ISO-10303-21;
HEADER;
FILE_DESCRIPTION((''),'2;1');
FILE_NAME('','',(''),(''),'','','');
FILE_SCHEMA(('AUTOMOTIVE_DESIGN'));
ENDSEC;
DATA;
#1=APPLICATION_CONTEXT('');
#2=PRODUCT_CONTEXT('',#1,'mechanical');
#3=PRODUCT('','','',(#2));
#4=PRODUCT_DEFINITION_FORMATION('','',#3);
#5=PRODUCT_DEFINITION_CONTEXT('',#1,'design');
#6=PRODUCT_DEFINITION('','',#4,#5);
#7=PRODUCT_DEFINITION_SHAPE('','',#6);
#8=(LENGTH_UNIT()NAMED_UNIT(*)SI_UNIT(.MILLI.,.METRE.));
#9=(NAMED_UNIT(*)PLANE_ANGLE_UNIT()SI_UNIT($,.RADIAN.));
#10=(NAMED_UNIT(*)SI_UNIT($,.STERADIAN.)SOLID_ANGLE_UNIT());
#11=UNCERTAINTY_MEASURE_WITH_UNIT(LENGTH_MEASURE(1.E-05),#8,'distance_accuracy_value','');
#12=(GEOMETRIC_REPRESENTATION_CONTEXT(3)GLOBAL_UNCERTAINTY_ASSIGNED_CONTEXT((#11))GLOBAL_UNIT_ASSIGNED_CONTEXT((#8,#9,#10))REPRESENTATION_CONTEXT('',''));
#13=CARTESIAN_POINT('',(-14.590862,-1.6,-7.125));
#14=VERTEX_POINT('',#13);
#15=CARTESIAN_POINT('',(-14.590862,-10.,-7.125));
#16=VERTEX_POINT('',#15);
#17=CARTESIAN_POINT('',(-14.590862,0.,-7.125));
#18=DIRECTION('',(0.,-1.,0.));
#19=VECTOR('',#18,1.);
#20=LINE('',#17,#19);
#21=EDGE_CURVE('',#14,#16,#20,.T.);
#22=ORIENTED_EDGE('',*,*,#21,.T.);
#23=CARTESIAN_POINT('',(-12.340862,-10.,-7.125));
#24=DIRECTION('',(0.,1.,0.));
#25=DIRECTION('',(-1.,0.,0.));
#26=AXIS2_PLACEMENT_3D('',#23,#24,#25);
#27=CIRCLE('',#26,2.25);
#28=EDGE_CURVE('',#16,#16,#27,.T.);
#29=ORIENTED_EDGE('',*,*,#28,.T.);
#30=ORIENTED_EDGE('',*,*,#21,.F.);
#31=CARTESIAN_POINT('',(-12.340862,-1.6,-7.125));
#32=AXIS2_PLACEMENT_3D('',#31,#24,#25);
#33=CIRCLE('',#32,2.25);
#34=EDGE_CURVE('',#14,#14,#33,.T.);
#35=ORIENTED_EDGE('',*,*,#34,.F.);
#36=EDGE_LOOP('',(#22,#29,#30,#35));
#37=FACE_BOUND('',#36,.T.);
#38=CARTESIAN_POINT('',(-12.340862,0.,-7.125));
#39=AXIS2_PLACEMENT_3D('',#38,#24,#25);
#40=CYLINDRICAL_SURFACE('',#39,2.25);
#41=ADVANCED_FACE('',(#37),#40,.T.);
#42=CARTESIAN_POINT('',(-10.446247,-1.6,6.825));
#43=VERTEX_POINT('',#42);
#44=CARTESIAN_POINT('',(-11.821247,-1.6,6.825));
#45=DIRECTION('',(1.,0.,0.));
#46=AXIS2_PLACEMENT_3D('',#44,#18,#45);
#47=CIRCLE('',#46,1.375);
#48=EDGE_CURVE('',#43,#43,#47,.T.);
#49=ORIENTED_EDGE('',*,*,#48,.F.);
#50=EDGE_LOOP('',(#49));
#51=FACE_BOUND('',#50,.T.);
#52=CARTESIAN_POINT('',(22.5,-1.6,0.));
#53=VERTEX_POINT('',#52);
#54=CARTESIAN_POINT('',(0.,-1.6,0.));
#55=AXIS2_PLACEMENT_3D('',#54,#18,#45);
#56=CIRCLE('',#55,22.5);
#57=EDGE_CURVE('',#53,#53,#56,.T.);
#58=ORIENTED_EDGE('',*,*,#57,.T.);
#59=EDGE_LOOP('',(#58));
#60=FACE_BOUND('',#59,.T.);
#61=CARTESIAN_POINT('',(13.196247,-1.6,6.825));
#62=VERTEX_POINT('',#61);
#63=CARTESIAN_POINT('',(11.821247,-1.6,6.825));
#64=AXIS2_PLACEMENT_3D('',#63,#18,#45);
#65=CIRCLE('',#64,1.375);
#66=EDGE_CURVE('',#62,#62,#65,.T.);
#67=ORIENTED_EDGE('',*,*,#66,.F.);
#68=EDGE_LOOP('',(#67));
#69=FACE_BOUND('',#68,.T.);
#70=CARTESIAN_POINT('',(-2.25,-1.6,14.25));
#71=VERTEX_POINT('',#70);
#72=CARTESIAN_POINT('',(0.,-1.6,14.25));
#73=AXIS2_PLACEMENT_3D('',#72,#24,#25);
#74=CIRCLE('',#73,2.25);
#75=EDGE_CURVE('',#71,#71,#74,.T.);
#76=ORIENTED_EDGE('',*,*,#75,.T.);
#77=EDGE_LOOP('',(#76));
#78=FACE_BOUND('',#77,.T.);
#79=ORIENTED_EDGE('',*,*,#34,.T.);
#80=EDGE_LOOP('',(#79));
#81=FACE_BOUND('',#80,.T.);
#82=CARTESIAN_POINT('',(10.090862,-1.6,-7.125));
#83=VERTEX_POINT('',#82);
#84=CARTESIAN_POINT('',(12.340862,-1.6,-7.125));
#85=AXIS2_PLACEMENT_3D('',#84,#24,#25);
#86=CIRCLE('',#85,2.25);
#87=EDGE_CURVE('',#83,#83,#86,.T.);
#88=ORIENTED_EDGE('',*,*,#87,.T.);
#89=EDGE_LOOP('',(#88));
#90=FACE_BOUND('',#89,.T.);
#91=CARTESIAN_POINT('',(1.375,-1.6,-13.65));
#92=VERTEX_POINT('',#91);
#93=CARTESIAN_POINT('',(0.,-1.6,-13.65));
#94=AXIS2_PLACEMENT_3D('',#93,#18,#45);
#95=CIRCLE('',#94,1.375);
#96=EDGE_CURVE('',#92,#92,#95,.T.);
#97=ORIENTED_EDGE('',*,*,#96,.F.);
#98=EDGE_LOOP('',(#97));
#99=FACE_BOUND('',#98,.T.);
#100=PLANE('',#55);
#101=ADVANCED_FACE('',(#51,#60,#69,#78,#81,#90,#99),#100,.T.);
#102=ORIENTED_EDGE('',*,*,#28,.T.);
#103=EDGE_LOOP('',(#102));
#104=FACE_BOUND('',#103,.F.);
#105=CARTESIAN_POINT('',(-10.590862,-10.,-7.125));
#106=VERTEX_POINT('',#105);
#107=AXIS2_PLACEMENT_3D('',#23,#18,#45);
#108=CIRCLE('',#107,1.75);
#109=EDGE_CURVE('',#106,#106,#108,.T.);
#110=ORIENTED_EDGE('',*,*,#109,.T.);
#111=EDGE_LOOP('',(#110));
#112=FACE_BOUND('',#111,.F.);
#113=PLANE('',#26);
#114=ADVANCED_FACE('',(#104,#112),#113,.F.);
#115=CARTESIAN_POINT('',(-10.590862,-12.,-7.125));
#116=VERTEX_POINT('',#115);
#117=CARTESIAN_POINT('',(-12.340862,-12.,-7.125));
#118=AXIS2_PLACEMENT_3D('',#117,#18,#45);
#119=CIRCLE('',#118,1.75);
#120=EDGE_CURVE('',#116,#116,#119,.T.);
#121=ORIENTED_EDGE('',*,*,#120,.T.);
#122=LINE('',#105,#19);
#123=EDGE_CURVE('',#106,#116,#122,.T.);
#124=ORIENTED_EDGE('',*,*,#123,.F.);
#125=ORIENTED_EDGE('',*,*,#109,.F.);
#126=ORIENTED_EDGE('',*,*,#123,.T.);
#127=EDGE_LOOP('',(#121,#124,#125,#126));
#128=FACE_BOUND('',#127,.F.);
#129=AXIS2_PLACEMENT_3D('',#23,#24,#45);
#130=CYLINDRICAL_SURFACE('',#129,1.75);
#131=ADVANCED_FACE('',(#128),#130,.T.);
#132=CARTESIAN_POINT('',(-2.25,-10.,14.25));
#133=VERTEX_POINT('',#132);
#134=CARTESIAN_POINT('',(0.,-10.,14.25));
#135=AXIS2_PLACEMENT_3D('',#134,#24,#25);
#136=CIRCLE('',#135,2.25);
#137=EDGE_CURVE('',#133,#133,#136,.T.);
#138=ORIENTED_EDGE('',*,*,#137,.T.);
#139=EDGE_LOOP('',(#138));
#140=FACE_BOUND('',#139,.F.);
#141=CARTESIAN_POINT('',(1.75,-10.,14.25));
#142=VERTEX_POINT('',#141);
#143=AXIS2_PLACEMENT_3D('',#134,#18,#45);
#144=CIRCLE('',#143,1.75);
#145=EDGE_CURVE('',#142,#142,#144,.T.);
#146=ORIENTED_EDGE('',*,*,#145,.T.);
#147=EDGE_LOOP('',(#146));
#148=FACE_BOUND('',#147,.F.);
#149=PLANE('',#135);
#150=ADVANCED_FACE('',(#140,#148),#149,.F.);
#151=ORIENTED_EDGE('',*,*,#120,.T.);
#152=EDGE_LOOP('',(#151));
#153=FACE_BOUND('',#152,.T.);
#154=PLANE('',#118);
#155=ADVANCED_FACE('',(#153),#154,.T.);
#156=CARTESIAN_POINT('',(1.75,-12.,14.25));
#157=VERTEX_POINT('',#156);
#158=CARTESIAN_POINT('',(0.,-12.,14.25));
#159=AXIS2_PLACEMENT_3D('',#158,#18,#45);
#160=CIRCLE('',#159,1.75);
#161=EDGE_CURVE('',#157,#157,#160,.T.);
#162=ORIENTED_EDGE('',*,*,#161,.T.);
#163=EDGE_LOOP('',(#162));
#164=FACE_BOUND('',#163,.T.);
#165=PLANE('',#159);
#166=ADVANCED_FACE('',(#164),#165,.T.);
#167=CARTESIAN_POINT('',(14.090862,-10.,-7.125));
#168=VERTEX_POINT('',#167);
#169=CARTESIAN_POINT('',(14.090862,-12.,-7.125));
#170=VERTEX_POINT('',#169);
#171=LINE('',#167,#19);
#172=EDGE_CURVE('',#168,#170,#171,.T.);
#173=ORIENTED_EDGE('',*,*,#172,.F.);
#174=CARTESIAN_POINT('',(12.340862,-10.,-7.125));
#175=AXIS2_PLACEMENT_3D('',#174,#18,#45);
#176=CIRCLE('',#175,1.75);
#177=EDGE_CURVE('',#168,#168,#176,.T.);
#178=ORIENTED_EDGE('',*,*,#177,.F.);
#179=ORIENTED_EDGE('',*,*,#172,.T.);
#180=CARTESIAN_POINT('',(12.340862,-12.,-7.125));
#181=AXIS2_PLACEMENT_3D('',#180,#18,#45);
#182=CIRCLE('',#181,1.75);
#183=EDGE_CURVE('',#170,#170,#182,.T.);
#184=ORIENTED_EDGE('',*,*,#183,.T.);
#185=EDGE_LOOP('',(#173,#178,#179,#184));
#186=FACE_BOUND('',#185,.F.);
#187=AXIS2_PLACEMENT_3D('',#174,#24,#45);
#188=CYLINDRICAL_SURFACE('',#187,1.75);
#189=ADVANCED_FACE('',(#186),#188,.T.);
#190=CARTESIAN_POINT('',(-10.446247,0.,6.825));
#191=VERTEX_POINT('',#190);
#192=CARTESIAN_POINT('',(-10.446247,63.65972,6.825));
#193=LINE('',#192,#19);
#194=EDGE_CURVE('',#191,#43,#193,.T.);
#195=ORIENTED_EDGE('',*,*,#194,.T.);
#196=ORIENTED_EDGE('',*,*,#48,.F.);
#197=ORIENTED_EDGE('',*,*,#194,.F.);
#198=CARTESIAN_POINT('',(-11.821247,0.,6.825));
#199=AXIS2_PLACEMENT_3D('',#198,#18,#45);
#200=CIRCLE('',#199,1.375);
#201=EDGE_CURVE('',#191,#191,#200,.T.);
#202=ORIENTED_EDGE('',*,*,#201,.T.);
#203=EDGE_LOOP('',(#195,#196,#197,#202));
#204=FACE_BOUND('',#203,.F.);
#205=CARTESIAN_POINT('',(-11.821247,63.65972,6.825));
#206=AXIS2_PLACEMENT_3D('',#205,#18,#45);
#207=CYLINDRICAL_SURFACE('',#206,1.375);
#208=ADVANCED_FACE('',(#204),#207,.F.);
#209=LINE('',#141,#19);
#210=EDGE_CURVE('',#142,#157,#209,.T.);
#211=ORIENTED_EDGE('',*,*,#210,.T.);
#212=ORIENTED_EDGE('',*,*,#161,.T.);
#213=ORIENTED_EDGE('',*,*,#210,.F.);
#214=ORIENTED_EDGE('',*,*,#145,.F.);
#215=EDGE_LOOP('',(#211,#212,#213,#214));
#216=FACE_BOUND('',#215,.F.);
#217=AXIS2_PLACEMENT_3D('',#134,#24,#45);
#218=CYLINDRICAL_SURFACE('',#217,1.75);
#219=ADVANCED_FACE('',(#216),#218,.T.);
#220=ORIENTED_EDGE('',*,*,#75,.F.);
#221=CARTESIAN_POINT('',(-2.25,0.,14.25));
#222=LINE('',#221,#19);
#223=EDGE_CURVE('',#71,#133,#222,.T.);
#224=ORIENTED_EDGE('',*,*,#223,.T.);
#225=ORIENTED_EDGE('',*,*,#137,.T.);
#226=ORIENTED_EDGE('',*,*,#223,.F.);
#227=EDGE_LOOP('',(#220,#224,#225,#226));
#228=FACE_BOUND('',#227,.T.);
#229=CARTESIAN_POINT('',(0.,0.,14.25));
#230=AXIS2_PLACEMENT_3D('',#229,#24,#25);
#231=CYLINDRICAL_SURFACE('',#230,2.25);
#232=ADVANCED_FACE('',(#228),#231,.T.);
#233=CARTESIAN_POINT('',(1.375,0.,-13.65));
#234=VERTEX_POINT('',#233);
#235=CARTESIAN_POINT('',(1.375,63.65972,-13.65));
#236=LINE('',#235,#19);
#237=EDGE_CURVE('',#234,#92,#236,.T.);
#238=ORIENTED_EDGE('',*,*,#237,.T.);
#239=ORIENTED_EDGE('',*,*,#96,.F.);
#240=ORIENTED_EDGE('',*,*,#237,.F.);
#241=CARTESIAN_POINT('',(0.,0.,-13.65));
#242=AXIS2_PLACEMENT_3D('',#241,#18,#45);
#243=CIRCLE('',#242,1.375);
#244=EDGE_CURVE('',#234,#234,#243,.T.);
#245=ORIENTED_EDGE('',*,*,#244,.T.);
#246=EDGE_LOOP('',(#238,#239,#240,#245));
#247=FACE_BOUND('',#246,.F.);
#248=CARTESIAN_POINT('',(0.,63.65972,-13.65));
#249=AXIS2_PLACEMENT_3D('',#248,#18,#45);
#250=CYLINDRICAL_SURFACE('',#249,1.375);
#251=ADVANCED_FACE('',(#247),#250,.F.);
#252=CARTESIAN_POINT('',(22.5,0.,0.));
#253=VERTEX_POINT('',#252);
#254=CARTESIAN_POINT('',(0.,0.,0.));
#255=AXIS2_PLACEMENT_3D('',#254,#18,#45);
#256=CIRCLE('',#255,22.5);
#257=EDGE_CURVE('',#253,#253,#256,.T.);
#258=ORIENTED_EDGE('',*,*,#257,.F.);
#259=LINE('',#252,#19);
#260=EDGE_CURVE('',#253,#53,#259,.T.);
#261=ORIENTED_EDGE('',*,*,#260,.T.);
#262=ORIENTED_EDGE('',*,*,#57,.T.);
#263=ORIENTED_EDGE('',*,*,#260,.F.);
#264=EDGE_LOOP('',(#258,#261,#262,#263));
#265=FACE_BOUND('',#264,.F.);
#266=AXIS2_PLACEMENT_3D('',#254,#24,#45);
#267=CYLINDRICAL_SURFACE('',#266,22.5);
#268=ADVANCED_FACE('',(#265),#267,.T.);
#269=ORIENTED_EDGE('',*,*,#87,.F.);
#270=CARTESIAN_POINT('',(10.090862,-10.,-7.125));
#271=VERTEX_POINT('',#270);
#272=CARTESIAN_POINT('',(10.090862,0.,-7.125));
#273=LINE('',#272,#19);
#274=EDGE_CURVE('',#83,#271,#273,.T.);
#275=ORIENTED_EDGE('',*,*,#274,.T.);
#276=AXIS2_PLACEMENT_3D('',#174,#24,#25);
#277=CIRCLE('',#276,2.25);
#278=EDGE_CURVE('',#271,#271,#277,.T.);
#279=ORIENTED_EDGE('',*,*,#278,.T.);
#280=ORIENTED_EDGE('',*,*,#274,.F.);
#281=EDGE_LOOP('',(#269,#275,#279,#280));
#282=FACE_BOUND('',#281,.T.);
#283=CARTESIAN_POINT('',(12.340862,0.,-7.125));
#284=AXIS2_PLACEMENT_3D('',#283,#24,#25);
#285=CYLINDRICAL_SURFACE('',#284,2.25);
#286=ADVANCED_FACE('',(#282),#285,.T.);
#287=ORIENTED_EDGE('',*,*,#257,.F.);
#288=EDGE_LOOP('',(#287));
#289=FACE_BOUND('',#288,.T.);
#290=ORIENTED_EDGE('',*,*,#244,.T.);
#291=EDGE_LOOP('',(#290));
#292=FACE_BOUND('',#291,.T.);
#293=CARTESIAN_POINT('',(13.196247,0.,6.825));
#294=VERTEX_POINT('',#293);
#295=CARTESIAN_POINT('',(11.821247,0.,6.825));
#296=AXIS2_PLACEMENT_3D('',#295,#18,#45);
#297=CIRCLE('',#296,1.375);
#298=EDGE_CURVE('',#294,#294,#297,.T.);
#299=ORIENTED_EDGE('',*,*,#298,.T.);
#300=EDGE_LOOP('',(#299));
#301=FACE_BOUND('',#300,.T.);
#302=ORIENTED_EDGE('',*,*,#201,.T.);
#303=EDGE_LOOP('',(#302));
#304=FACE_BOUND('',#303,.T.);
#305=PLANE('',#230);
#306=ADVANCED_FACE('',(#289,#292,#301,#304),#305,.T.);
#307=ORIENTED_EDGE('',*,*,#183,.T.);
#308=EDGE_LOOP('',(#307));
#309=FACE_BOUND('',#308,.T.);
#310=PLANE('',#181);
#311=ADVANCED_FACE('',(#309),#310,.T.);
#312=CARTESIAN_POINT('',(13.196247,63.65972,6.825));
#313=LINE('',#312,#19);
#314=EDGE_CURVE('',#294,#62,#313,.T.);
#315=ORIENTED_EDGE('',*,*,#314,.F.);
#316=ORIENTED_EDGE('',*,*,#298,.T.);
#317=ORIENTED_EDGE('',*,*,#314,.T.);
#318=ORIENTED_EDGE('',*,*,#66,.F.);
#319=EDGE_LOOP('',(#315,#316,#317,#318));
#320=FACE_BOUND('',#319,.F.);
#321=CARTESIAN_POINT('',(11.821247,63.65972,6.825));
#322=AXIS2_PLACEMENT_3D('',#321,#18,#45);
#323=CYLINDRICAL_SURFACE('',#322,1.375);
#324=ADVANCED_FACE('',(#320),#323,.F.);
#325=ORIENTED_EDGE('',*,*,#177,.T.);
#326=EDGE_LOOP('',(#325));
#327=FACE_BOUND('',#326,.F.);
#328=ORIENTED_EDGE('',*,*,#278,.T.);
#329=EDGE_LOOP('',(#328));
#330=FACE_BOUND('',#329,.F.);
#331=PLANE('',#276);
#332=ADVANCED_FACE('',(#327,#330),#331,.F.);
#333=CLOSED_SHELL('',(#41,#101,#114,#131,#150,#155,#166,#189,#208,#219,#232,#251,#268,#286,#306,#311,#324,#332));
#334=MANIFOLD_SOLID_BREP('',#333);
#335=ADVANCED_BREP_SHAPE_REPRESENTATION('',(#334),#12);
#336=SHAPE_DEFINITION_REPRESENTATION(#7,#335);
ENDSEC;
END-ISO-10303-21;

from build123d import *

# Parameters (mm, degrees)
F0_R     = 22.5
F1_DEPTH = 1.6
F4_D     = 2.75
F2_R     = 2.25
F5_DEPTH = 10
F6_R     = 1.75
F7_R     = 1.75
F8_R     = 1.75
F9_DEPTH = 2


with BuildPart() as f1:
    # F0 (on Front) → F1 (new body)
    with BuildSketch(Plane.XZ):
        Circle(F0_R)
    extrude(amount=F1_DEPTH)

    # F4 (through all)
    with Locations(Plane(origin=(0, 0, 0), x_dir=(-1, 0, 0), z_dir=(0, 1, 0))):
        with Locations((11.821247, 6.825), (0, -13.65), (-11.821247, 6.825)):
            Hole(F4_D / 2)

    # F2 (on face) → F5 (join)
    with BuildSketch(Plane(origin=(0, 0, 0), x_dir=(-1, 0, 0), z_dir=(0, 1, 0))):
        with Locations((0, 14.25)):
            Circle(F2_R)
        with Locations((-12.340862, -7.125)):
            Circle(F2_R)
        with Locations((12.340862, -7.125)):
            Circle(F2_R)
    extrude(amount=-F5_DEPTH)

    # F6 (on face) + F7 (on face) + F8 (on face) → F9 (join)
    with BuildSketch(Plane.XZ.offset(10)):
        with Locations((0, 14.25)):
            Circle(F6_R)
    with BuildSketch(Plane.XZ.offset(10)):
        with Locations((-12.340862, -7.125)):
            Circle(F7_R)
    with BuildSketch(Plane.XZ.offset(10)):
        with Locations((12.340862, -7.125)):
            Circle(F8_R)
    extrude(amount=F9_DEPTH)


solid = f1.part
